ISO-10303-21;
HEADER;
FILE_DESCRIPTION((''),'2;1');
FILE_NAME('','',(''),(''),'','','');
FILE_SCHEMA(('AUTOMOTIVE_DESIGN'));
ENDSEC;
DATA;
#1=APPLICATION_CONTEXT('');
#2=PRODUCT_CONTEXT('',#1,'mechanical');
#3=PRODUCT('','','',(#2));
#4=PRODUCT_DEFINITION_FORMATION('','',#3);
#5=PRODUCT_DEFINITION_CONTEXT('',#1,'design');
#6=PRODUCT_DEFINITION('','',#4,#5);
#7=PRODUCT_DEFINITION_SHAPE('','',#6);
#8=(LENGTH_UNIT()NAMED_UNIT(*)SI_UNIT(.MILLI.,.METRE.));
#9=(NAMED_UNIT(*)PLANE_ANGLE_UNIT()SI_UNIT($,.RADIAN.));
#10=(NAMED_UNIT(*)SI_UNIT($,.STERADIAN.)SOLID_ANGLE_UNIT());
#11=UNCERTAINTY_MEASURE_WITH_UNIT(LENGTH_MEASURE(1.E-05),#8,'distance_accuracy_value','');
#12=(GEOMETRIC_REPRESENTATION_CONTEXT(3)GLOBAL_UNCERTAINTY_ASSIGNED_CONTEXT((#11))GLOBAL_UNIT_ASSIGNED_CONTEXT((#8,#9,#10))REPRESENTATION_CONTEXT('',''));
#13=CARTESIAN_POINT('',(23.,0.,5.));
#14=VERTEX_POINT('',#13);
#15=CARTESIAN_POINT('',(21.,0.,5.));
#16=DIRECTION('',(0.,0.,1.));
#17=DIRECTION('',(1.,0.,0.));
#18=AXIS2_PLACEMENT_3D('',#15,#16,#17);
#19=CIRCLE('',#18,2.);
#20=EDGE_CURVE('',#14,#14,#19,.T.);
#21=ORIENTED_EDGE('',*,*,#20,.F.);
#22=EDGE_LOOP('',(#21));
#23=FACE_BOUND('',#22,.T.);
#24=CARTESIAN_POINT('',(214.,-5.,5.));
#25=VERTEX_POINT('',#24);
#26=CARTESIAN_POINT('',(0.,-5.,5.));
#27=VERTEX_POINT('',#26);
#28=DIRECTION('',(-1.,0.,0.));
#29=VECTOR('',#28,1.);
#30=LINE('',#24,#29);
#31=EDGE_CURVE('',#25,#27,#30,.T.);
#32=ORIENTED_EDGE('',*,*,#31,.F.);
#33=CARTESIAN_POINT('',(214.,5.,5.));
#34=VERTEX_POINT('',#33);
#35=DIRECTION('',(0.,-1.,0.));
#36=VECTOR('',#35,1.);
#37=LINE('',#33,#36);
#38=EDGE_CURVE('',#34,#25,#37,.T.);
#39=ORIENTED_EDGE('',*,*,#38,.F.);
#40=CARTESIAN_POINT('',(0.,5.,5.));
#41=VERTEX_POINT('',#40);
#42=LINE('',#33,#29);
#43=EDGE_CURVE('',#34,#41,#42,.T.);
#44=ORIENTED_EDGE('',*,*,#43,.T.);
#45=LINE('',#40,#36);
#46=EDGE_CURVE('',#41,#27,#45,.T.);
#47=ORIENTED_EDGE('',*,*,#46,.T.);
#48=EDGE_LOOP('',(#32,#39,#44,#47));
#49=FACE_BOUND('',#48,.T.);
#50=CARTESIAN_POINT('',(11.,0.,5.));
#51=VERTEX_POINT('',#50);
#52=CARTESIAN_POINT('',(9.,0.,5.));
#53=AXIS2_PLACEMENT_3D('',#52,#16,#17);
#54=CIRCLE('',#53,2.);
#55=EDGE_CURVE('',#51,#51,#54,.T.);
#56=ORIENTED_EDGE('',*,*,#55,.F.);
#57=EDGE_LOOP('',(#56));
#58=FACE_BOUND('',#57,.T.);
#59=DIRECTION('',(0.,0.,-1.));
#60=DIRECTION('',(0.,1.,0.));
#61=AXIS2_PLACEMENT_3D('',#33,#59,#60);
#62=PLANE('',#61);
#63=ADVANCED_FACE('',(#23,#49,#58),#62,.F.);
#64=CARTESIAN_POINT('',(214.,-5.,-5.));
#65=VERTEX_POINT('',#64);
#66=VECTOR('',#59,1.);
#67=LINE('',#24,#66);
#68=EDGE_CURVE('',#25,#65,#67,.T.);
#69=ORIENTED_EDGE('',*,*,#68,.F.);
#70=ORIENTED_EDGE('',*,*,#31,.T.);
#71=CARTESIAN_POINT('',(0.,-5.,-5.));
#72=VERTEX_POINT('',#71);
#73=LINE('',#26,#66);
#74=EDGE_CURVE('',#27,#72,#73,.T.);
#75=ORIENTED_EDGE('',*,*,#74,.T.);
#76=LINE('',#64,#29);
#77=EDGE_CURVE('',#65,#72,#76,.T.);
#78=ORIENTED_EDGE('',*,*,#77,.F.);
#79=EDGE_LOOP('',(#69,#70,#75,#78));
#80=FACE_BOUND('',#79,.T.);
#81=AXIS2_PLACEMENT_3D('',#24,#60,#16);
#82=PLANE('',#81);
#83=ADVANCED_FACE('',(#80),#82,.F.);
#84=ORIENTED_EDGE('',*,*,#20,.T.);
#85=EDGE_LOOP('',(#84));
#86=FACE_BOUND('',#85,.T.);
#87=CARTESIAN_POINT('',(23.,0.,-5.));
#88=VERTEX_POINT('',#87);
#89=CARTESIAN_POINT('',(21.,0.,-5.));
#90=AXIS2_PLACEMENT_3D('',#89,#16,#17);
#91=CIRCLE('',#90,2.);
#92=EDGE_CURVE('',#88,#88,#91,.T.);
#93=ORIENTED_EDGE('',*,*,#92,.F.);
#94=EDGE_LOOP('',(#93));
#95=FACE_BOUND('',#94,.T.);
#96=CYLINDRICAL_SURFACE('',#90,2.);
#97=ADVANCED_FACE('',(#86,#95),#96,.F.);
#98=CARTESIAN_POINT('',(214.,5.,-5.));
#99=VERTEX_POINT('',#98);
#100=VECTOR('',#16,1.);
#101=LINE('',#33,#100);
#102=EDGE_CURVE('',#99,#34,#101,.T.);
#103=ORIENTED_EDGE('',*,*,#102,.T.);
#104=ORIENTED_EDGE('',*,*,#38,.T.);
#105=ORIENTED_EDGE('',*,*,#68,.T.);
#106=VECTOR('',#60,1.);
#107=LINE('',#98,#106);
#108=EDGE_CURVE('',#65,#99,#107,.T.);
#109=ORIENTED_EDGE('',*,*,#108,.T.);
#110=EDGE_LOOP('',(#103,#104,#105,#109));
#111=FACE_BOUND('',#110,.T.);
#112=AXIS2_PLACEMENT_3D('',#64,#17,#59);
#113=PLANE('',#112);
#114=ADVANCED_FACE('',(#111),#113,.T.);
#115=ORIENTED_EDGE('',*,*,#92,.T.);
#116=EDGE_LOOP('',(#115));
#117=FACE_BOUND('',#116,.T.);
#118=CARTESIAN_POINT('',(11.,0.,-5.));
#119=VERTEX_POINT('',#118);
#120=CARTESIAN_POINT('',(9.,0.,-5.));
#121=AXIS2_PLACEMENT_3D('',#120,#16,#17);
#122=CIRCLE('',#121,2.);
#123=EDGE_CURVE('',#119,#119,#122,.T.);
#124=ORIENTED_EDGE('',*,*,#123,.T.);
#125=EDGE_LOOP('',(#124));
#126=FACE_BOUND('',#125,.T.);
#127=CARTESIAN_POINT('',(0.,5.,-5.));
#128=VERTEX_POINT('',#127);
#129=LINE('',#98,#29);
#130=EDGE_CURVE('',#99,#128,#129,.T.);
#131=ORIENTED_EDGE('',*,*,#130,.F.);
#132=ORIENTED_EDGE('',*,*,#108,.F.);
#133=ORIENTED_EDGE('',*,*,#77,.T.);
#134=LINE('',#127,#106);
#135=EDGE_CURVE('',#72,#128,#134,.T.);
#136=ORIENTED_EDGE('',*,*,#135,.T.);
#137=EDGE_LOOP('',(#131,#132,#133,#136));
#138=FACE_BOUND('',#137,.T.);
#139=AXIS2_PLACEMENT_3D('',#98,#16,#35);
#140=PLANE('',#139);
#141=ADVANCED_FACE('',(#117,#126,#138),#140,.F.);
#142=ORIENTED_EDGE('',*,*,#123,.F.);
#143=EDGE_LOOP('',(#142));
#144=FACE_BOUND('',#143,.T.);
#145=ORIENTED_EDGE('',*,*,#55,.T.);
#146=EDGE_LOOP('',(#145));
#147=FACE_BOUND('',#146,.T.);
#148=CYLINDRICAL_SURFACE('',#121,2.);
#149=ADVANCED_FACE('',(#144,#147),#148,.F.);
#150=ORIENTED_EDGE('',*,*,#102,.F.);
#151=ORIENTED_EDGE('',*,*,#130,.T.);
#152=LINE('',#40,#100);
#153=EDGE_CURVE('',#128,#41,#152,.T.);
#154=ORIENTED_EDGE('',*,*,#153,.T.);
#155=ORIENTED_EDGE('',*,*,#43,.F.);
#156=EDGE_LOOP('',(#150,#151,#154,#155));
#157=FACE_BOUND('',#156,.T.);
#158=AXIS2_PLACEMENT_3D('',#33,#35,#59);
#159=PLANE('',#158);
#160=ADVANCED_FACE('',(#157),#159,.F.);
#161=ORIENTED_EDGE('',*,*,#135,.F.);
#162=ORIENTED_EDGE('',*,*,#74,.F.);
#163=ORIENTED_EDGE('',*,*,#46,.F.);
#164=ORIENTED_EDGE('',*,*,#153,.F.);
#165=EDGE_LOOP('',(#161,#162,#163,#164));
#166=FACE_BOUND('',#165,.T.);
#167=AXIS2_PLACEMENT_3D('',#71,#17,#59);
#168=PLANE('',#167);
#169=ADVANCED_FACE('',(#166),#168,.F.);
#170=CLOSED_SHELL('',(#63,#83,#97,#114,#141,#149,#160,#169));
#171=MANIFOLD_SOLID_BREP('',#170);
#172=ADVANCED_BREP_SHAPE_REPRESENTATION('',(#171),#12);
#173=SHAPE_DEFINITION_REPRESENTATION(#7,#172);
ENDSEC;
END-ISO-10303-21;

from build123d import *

# Parameters (mm, degrees)
SKETCH_1_W          = 10
SKETCH_1_H          = 10
EXTRUDE_1_DEPTH     = 214
SKETCH_2_R          = 2
CUT_EXTRUDE_1_DEPTH = 215.291857055


with BuildPart() as part:
    # Эскиз1 → Вытянуть1 (new body)
    with BuildSketch(Plane(origin=(0, 0, 0), x_dir=(0, 0, -1), z_dir=(1, 0, 0))):
        Rectangle(SKETCH_1_W, SKETCH_1_H)
    extrude(amount=EXTRUDE_1_DEPTH)

    # Эскиз2 → Вырез-Вытянуть1 (cut, through all)
    with BuildSketch(Plane.XY.offset(5)):
        with Locations((9, 0)):
            Circle(SKETCH_2_R)
        with Locations((21, 0)):
            Circle(SKETCH_2_R)
    extrude(amount=-CUT_EXTRUDE_1_DEPTH, mode=Mode.SUBTRACT)


solid = part.part
